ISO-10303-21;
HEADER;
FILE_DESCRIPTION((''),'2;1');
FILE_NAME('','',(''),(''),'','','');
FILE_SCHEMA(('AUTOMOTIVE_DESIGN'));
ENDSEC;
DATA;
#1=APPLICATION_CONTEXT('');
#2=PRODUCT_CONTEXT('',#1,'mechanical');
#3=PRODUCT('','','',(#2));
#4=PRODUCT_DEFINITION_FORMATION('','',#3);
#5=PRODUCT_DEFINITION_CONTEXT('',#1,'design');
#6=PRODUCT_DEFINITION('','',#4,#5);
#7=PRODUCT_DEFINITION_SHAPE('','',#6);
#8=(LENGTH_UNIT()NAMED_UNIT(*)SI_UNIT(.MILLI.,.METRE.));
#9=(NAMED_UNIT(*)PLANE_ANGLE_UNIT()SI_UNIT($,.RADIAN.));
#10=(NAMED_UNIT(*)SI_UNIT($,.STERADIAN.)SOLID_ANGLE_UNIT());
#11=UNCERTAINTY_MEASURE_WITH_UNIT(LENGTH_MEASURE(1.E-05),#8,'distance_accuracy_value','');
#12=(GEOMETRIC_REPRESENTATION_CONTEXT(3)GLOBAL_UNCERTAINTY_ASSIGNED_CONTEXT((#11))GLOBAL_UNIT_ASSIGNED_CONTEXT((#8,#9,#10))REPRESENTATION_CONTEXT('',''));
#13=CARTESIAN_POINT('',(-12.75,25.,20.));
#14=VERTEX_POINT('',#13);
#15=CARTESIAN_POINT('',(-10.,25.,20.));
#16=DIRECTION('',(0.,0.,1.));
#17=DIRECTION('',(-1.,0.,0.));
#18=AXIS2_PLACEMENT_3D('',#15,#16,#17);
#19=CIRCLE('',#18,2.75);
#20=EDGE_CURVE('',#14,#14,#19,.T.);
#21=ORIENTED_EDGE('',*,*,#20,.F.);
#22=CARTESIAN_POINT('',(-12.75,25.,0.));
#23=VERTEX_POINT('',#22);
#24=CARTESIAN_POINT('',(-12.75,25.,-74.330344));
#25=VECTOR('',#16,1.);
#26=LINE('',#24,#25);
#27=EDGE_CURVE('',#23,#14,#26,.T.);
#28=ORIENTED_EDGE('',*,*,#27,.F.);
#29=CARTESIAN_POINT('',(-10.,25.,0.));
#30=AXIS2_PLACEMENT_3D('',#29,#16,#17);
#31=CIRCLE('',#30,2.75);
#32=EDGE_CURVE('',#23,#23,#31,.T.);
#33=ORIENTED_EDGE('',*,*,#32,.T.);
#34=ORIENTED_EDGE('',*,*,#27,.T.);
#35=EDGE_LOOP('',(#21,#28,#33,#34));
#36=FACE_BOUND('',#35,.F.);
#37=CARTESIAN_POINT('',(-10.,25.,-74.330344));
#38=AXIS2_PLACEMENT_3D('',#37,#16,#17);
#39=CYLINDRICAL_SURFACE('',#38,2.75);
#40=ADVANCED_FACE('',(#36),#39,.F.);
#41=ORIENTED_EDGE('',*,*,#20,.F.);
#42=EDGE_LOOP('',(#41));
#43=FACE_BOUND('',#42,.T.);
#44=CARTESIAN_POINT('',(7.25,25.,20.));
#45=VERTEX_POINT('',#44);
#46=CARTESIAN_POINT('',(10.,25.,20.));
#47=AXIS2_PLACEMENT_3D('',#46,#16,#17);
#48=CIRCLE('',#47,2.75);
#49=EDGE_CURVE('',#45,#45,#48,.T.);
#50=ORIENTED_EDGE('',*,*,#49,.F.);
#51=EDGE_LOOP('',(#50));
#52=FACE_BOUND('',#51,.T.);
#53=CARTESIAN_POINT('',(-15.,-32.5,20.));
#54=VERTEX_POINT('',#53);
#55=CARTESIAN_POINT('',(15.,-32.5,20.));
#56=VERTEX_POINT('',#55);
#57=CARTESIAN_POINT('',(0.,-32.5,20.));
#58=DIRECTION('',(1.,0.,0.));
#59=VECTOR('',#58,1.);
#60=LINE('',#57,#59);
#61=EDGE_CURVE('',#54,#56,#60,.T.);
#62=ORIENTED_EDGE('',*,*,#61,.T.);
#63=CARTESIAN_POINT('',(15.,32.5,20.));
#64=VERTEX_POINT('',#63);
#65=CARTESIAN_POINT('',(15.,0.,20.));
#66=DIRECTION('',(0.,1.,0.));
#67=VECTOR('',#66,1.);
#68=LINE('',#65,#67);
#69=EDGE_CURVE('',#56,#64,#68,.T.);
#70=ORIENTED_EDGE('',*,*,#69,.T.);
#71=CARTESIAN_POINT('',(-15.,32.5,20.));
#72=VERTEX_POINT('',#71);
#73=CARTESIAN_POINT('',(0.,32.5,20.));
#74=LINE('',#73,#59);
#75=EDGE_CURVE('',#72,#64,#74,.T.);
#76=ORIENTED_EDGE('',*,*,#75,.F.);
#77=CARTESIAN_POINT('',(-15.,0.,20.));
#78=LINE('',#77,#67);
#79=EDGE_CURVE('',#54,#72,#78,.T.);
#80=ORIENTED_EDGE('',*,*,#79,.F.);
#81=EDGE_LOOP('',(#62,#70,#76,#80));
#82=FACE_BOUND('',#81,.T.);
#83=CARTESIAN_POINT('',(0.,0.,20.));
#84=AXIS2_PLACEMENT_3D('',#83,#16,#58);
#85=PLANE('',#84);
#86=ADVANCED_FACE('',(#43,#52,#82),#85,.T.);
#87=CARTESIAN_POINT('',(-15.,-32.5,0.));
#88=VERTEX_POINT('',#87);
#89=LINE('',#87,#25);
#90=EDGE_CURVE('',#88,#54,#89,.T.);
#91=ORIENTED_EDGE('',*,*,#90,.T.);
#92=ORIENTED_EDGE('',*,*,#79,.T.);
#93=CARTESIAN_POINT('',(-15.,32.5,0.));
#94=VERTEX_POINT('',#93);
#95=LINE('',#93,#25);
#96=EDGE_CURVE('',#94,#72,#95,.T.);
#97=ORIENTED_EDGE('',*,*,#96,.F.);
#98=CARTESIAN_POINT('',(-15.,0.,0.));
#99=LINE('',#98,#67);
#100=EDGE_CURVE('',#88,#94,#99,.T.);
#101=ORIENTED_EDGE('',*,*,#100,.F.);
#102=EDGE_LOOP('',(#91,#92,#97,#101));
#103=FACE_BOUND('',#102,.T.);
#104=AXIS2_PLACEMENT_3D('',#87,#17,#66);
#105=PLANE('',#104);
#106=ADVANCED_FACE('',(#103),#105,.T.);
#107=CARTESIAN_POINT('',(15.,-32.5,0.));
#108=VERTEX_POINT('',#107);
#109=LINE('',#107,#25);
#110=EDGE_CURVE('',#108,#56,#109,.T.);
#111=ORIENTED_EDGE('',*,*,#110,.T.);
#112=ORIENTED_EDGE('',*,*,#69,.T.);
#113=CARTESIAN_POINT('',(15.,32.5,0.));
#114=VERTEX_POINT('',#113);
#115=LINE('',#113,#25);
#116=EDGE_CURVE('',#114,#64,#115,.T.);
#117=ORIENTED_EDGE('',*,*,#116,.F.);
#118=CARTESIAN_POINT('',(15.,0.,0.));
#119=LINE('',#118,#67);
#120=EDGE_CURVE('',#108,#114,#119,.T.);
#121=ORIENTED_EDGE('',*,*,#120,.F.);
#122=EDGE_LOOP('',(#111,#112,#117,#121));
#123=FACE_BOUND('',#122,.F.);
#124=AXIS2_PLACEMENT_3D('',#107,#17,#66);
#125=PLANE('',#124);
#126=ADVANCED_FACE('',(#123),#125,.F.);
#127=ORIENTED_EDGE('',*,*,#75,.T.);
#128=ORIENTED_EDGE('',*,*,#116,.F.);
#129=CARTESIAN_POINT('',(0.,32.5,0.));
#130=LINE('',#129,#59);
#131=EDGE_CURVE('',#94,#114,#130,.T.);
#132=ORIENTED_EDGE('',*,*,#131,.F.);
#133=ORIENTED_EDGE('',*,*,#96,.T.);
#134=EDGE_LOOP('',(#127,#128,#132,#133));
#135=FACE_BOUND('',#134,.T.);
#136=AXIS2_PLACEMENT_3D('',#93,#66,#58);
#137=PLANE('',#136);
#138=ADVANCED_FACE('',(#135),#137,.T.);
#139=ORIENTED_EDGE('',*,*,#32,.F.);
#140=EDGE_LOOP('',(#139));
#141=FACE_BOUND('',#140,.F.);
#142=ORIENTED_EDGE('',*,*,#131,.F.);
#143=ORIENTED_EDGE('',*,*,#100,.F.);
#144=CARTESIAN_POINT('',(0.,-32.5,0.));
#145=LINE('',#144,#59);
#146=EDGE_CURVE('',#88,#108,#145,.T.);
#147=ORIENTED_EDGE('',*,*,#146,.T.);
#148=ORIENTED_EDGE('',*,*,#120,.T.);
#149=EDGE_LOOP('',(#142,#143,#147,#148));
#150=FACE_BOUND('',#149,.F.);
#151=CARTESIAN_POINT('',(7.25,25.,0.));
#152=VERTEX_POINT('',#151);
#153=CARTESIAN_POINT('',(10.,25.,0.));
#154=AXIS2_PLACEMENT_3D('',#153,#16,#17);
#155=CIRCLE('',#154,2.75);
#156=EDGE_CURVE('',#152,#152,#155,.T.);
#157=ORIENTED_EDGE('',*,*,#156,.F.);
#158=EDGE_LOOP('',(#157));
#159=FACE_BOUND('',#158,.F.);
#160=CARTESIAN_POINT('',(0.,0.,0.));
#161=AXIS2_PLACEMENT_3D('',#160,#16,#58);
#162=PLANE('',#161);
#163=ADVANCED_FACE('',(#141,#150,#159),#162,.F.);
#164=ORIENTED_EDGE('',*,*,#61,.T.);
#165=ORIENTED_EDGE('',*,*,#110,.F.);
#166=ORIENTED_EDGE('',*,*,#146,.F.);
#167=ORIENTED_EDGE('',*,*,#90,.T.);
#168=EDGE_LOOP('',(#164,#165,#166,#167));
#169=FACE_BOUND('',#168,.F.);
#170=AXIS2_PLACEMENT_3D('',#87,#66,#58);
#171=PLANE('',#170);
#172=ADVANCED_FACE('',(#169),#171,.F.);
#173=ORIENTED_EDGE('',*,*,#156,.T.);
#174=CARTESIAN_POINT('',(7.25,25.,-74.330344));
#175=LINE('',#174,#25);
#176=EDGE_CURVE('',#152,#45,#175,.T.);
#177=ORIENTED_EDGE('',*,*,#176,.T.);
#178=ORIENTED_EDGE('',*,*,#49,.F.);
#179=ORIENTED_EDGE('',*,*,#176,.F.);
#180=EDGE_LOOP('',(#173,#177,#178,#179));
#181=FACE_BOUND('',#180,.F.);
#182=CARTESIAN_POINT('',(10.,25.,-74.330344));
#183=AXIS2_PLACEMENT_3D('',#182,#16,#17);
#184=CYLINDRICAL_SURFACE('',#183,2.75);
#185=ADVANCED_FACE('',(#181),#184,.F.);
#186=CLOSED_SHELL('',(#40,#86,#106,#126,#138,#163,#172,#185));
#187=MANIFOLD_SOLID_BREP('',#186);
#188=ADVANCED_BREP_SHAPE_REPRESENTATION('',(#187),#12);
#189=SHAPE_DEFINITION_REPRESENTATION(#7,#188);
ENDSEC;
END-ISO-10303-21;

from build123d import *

# Parameters (mm, degrees)
F0_W     = 30
F0_H     = 65
F1_DEPTH = 20
F2_D     = 5.5


with BuildPart() as f1:
    # F0 (on Top) → F1 (new body)
    with BuildSketch(Plane.XY):
        Rectangle(F0_W, F0_H)
    extrude(amount=F1_DEPTH)

    # F2 (through all)
    with Locations(Plane(origin=(0, 0, 0), x_dir=(1, 0, 0), z_dir=(0, 0, -1))):
        with Locations((-10, -25), (10, -25)):
            Hole(F2_D / 2)


solid = f1.part
